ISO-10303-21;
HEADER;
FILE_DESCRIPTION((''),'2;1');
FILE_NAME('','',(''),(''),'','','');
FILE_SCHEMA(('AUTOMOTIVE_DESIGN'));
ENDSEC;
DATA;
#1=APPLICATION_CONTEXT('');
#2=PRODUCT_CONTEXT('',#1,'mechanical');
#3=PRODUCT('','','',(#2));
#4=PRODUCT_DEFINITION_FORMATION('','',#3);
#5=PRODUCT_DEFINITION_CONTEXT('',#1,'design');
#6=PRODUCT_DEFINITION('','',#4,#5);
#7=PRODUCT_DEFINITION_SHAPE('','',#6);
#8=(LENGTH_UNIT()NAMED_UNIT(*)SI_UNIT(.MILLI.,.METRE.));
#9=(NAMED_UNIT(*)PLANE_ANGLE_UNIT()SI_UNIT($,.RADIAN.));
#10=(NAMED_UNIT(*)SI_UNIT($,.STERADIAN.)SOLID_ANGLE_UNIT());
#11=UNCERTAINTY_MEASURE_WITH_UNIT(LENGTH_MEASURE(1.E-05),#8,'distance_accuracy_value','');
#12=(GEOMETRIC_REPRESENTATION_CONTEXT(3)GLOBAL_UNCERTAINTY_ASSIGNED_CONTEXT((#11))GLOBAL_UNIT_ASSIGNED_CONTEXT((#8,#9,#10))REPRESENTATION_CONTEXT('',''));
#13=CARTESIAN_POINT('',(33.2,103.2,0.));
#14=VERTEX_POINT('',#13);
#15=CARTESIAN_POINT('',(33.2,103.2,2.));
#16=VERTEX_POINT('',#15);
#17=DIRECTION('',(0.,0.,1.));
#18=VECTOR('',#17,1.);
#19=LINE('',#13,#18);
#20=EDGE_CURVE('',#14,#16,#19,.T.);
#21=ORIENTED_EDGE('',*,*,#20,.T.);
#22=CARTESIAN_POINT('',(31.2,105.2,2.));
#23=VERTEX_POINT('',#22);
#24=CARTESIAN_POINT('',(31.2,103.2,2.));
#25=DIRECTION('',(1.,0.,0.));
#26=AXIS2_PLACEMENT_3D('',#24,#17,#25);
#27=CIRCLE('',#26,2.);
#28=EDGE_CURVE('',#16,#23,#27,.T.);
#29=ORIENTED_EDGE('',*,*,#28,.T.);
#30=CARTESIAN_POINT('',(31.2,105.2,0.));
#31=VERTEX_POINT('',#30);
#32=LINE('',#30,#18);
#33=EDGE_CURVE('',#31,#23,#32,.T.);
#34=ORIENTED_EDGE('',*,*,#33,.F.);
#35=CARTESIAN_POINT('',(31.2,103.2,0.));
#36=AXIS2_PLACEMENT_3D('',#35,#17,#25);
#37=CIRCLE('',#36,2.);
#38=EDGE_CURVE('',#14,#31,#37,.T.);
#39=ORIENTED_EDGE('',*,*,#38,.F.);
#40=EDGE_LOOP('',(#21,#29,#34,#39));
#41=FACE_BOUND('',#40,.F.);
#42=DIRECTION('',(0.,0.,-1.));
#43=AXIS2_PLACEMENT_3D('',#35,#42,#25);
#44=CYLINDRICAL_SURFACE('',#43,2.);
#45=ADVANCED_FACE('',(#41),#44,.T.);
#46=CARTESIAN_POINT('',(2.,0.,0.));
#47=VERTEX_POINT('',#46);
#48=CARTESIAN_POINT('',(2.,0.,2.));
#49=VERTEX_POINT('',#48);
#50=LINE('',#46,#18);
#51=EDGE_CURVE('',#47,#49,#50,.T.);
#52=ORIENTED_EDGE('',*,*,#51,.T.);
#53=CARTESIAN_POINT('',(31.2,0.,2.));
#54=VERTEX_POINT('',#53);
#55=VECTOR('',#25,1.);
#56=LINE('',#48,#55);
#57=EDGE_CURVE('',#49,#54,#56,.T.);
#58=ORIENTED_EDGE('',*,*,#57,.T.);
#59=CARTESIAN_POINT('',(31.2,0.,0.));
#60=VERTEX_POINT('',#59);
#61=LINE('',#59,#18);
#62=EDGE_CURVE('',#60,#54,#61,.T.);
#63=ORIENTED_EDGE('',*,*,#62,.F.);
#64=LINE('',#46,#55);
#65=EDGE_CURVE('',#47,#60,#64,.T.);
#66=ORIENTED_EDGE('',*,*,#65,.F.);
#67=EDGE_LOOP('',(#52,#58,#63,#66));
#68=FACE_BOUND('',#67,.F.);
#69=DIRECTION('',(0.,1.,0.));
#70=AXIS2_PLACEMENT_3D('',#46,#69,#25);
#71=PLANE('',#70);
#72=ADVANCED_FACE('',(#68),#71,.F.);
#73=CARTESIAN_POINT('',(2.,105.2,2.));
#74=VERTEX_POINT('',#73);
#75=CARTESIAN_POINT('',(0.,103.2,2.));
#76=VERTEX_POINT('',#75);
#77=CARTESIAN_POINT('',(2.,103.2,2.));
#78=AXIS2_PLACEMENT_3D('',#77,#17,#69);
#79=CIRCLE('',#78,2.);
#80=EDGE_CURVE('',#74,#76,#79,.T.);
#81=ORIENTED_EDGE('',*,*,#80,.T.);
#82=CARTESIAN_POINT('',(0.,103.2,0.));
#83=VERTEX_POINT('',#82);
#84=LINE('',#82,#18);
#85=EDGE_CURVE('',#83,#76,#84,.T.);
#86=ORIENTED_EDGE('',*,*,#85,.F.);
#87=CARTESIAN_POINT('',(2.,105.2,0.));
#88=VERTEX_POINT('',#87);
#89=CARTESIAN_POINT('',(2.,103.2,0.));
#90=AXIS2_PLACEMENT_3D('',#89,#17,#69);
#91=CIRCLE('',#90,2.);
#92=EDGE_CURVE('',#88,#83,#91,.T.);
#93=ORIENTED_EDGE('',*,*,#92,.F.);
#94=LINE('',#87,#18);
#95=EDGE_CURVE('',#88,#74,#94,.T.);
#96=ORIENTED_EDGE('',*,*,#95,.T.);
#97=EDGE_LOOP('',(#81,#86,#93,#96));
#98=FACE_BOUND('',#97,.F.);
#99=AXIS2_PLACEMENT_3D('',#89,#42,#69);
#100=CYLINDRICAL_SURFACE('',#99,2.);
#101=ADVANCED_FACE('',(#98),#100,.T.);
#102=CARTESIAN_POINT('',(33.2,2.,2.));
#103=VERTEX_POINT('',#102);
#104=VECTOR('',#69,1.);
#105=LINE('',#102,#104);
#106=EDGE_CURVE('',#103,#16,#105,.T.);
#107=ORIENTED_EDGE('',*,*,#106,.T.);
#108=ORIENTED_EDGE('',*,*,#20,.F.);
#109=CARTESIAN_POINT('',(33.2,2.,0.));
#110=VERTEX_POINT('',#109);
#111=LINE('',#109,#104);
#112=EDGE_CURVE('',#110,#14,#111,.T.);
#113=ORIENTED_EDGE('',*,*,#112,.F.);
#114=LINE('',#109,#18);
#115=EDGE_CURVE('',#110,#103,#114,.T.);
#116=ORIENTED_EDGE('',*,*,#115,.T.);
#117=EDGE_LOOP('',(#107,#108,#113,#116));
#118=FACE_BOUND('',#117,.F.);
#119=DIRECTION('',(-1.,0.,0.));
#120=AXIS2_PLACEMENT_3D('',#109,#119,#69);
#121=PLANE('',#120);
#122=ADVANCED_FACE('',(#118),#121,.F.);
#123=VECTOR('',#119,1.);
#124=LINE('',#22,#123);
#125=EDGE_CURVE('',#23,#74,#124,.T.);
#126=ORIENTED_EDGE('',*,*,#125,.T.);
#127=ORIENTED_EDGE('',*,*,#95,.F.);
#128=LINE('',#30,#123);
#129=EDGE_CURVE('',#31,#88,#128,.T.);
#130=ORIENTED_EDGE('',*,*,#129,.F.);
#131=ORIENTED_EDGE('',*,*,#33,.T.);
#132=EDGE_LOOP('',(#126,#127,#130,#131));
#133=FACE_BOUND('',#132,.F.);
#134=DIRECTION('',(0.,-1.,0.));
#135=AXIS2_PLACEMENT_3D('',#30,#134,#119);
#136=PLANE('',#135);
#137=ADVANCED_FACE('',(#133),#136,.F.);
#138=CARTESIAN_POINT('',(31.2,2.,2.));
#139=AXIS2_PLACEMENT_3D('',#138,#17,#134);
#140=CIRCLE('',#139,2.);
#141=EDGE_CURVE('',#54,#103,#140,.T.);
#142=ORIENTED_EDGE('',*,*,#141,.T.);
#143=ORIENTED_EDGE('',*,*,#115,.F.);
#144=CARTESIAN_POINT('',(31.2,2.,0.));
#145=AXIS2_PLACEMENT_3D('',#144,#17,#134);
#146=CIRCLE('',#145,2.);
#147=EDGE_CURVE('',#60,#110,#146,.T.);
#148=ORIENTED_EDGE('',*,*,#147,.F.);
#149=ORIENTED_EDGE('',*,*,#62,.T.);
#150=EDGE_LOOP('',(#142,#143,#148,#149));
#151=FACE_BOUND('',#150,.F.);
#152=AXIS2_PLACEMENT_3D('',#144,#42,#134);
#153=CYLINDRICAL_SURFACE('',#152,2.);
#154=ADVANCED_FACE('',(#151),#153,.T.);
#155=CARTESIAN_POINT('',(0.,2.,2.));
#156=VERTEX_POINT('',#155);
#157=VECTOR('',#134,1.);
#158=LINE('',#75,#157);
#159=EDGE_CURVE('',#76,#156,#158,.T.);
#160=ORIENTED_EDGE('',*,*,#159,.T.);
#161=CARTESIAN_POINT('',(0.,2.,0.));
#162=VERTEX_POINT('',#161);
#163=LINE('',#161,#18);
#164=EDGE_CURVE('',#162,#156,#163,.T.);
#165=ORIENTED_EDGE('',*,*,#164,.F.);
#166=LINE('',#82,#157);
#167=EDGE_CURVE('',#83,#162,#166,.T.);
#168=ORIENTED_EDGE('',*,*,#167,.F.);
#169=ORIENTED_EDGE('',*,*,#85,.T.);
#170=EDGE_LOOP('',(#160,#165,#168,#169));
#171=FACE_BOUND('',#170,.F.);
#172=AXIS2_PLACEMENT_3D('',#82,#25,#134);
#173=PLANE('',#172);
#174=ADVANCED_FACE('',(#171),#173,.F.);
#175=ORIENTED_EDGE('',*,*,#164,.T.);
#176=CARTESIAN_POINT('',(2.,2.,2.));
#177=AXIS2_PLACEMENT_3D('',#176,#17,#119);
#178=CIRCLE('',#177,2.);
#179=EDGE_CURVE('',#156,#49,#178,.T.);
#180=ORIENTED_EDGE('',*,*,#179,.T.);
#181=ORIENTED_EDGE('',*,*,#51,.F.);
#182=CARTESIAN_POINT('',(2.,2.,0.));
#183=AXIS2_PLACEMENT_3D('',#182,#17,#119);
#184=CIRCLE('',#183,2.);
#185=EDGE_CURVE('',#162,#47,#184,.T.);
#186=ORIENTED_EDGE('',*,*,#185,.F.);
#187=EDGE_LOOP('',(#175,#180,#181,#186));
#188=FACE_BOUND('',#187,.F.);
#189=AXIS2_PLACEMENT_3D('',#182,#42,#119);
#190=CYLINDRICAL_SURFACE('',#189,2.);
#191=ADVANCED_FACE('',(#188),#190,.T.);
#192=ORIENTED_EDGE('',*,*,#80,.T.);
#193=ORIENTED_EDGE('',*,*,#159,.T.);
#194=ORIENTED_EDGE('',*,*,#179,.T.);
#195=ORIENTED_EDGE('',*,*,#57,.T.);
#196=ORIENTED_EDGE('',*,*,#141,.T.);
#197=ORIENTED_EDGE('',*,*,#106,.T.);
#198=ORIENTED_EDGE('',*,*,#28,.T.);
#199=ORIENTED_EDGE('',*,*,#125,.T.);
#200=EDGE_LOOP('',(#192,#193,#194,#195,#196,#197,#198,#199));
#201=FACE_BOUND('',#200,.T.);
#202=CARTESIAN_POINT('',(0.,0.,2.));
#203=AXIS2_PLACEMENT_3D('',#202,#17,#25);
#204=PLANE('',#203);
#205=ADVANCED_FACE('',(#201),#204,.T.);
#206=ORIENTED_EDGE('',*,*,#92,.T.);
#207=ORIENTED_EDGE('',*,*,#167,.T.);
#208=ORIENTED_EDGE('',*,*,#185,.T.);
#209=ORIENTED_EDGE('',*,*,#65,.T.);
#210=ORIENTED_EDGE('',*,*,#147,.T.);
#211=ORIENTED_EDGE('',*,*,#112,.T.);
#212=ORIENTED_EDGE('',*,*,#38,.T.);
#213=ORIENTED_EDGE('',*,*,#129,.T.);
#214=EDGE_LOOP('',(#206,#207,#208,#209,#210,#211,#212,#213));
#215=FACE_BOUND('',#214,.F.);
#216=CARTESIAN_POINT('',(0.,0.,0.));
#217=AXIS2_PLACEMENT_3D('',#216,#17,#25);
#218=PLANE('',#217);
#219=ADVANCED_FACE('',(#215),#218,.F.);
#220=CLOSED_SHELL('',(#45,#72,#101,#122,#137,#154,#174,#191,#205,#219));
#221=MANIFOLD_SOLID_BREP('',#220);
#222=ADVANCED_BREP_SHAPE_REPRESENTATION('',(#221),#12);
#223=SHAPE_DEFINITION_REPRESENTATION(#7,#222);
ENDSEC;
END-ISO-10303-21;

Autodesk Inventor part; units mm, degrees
ref_plane "YZ Plane" through (0, 0, 0) normal (1, 0, 0) x (0, 1, 0)
ref_plane "XZ Plane" through (0, 0, 0) normal (0, 1, 0) x (-1, 0, 0)
ref_plane "XY Plane" through (0, 0, 0) normal (0, 0, 1) x (1, 0, 0)
sketch "Boceto1" plane through (0, 0, 0) normal (0, 0, 1) x (1, 0, 0)
  line L0 (2, 0) -> (31.2, 0)
  line L1 (33.2, 2) -> (33.2, 103.2)
  line L2 (31.2, 105.2) -> (2, 105.2)
  line L3 (0, 103.2) -> (0, 2)
  arc A0 (2, 105.2) -> (0, 103.2) centre (2, 103.2) ccw
  arc A1 (33.2, 103.2) -> (31.2, 105.2) centre (31.2, 103.2) ccw
  arc A2 (31.2, 0) -> (33.2, 2) centre (31.2, 2) ccw
  arc A3 (0, 2) -> (2, 0) centre (2, 2) ccw
  point P0 (0, 0)
  point P1 (33.2, 0)
  point P2 (0, 105.2)
  dimension "d2" = 2
  dimension "d7" = 33.2
  dimension "d8" = 105.2
extrude "Extrusión1" add sketch "Boceto1" along normal blind 2
properties part number "VentanaDelantera"
